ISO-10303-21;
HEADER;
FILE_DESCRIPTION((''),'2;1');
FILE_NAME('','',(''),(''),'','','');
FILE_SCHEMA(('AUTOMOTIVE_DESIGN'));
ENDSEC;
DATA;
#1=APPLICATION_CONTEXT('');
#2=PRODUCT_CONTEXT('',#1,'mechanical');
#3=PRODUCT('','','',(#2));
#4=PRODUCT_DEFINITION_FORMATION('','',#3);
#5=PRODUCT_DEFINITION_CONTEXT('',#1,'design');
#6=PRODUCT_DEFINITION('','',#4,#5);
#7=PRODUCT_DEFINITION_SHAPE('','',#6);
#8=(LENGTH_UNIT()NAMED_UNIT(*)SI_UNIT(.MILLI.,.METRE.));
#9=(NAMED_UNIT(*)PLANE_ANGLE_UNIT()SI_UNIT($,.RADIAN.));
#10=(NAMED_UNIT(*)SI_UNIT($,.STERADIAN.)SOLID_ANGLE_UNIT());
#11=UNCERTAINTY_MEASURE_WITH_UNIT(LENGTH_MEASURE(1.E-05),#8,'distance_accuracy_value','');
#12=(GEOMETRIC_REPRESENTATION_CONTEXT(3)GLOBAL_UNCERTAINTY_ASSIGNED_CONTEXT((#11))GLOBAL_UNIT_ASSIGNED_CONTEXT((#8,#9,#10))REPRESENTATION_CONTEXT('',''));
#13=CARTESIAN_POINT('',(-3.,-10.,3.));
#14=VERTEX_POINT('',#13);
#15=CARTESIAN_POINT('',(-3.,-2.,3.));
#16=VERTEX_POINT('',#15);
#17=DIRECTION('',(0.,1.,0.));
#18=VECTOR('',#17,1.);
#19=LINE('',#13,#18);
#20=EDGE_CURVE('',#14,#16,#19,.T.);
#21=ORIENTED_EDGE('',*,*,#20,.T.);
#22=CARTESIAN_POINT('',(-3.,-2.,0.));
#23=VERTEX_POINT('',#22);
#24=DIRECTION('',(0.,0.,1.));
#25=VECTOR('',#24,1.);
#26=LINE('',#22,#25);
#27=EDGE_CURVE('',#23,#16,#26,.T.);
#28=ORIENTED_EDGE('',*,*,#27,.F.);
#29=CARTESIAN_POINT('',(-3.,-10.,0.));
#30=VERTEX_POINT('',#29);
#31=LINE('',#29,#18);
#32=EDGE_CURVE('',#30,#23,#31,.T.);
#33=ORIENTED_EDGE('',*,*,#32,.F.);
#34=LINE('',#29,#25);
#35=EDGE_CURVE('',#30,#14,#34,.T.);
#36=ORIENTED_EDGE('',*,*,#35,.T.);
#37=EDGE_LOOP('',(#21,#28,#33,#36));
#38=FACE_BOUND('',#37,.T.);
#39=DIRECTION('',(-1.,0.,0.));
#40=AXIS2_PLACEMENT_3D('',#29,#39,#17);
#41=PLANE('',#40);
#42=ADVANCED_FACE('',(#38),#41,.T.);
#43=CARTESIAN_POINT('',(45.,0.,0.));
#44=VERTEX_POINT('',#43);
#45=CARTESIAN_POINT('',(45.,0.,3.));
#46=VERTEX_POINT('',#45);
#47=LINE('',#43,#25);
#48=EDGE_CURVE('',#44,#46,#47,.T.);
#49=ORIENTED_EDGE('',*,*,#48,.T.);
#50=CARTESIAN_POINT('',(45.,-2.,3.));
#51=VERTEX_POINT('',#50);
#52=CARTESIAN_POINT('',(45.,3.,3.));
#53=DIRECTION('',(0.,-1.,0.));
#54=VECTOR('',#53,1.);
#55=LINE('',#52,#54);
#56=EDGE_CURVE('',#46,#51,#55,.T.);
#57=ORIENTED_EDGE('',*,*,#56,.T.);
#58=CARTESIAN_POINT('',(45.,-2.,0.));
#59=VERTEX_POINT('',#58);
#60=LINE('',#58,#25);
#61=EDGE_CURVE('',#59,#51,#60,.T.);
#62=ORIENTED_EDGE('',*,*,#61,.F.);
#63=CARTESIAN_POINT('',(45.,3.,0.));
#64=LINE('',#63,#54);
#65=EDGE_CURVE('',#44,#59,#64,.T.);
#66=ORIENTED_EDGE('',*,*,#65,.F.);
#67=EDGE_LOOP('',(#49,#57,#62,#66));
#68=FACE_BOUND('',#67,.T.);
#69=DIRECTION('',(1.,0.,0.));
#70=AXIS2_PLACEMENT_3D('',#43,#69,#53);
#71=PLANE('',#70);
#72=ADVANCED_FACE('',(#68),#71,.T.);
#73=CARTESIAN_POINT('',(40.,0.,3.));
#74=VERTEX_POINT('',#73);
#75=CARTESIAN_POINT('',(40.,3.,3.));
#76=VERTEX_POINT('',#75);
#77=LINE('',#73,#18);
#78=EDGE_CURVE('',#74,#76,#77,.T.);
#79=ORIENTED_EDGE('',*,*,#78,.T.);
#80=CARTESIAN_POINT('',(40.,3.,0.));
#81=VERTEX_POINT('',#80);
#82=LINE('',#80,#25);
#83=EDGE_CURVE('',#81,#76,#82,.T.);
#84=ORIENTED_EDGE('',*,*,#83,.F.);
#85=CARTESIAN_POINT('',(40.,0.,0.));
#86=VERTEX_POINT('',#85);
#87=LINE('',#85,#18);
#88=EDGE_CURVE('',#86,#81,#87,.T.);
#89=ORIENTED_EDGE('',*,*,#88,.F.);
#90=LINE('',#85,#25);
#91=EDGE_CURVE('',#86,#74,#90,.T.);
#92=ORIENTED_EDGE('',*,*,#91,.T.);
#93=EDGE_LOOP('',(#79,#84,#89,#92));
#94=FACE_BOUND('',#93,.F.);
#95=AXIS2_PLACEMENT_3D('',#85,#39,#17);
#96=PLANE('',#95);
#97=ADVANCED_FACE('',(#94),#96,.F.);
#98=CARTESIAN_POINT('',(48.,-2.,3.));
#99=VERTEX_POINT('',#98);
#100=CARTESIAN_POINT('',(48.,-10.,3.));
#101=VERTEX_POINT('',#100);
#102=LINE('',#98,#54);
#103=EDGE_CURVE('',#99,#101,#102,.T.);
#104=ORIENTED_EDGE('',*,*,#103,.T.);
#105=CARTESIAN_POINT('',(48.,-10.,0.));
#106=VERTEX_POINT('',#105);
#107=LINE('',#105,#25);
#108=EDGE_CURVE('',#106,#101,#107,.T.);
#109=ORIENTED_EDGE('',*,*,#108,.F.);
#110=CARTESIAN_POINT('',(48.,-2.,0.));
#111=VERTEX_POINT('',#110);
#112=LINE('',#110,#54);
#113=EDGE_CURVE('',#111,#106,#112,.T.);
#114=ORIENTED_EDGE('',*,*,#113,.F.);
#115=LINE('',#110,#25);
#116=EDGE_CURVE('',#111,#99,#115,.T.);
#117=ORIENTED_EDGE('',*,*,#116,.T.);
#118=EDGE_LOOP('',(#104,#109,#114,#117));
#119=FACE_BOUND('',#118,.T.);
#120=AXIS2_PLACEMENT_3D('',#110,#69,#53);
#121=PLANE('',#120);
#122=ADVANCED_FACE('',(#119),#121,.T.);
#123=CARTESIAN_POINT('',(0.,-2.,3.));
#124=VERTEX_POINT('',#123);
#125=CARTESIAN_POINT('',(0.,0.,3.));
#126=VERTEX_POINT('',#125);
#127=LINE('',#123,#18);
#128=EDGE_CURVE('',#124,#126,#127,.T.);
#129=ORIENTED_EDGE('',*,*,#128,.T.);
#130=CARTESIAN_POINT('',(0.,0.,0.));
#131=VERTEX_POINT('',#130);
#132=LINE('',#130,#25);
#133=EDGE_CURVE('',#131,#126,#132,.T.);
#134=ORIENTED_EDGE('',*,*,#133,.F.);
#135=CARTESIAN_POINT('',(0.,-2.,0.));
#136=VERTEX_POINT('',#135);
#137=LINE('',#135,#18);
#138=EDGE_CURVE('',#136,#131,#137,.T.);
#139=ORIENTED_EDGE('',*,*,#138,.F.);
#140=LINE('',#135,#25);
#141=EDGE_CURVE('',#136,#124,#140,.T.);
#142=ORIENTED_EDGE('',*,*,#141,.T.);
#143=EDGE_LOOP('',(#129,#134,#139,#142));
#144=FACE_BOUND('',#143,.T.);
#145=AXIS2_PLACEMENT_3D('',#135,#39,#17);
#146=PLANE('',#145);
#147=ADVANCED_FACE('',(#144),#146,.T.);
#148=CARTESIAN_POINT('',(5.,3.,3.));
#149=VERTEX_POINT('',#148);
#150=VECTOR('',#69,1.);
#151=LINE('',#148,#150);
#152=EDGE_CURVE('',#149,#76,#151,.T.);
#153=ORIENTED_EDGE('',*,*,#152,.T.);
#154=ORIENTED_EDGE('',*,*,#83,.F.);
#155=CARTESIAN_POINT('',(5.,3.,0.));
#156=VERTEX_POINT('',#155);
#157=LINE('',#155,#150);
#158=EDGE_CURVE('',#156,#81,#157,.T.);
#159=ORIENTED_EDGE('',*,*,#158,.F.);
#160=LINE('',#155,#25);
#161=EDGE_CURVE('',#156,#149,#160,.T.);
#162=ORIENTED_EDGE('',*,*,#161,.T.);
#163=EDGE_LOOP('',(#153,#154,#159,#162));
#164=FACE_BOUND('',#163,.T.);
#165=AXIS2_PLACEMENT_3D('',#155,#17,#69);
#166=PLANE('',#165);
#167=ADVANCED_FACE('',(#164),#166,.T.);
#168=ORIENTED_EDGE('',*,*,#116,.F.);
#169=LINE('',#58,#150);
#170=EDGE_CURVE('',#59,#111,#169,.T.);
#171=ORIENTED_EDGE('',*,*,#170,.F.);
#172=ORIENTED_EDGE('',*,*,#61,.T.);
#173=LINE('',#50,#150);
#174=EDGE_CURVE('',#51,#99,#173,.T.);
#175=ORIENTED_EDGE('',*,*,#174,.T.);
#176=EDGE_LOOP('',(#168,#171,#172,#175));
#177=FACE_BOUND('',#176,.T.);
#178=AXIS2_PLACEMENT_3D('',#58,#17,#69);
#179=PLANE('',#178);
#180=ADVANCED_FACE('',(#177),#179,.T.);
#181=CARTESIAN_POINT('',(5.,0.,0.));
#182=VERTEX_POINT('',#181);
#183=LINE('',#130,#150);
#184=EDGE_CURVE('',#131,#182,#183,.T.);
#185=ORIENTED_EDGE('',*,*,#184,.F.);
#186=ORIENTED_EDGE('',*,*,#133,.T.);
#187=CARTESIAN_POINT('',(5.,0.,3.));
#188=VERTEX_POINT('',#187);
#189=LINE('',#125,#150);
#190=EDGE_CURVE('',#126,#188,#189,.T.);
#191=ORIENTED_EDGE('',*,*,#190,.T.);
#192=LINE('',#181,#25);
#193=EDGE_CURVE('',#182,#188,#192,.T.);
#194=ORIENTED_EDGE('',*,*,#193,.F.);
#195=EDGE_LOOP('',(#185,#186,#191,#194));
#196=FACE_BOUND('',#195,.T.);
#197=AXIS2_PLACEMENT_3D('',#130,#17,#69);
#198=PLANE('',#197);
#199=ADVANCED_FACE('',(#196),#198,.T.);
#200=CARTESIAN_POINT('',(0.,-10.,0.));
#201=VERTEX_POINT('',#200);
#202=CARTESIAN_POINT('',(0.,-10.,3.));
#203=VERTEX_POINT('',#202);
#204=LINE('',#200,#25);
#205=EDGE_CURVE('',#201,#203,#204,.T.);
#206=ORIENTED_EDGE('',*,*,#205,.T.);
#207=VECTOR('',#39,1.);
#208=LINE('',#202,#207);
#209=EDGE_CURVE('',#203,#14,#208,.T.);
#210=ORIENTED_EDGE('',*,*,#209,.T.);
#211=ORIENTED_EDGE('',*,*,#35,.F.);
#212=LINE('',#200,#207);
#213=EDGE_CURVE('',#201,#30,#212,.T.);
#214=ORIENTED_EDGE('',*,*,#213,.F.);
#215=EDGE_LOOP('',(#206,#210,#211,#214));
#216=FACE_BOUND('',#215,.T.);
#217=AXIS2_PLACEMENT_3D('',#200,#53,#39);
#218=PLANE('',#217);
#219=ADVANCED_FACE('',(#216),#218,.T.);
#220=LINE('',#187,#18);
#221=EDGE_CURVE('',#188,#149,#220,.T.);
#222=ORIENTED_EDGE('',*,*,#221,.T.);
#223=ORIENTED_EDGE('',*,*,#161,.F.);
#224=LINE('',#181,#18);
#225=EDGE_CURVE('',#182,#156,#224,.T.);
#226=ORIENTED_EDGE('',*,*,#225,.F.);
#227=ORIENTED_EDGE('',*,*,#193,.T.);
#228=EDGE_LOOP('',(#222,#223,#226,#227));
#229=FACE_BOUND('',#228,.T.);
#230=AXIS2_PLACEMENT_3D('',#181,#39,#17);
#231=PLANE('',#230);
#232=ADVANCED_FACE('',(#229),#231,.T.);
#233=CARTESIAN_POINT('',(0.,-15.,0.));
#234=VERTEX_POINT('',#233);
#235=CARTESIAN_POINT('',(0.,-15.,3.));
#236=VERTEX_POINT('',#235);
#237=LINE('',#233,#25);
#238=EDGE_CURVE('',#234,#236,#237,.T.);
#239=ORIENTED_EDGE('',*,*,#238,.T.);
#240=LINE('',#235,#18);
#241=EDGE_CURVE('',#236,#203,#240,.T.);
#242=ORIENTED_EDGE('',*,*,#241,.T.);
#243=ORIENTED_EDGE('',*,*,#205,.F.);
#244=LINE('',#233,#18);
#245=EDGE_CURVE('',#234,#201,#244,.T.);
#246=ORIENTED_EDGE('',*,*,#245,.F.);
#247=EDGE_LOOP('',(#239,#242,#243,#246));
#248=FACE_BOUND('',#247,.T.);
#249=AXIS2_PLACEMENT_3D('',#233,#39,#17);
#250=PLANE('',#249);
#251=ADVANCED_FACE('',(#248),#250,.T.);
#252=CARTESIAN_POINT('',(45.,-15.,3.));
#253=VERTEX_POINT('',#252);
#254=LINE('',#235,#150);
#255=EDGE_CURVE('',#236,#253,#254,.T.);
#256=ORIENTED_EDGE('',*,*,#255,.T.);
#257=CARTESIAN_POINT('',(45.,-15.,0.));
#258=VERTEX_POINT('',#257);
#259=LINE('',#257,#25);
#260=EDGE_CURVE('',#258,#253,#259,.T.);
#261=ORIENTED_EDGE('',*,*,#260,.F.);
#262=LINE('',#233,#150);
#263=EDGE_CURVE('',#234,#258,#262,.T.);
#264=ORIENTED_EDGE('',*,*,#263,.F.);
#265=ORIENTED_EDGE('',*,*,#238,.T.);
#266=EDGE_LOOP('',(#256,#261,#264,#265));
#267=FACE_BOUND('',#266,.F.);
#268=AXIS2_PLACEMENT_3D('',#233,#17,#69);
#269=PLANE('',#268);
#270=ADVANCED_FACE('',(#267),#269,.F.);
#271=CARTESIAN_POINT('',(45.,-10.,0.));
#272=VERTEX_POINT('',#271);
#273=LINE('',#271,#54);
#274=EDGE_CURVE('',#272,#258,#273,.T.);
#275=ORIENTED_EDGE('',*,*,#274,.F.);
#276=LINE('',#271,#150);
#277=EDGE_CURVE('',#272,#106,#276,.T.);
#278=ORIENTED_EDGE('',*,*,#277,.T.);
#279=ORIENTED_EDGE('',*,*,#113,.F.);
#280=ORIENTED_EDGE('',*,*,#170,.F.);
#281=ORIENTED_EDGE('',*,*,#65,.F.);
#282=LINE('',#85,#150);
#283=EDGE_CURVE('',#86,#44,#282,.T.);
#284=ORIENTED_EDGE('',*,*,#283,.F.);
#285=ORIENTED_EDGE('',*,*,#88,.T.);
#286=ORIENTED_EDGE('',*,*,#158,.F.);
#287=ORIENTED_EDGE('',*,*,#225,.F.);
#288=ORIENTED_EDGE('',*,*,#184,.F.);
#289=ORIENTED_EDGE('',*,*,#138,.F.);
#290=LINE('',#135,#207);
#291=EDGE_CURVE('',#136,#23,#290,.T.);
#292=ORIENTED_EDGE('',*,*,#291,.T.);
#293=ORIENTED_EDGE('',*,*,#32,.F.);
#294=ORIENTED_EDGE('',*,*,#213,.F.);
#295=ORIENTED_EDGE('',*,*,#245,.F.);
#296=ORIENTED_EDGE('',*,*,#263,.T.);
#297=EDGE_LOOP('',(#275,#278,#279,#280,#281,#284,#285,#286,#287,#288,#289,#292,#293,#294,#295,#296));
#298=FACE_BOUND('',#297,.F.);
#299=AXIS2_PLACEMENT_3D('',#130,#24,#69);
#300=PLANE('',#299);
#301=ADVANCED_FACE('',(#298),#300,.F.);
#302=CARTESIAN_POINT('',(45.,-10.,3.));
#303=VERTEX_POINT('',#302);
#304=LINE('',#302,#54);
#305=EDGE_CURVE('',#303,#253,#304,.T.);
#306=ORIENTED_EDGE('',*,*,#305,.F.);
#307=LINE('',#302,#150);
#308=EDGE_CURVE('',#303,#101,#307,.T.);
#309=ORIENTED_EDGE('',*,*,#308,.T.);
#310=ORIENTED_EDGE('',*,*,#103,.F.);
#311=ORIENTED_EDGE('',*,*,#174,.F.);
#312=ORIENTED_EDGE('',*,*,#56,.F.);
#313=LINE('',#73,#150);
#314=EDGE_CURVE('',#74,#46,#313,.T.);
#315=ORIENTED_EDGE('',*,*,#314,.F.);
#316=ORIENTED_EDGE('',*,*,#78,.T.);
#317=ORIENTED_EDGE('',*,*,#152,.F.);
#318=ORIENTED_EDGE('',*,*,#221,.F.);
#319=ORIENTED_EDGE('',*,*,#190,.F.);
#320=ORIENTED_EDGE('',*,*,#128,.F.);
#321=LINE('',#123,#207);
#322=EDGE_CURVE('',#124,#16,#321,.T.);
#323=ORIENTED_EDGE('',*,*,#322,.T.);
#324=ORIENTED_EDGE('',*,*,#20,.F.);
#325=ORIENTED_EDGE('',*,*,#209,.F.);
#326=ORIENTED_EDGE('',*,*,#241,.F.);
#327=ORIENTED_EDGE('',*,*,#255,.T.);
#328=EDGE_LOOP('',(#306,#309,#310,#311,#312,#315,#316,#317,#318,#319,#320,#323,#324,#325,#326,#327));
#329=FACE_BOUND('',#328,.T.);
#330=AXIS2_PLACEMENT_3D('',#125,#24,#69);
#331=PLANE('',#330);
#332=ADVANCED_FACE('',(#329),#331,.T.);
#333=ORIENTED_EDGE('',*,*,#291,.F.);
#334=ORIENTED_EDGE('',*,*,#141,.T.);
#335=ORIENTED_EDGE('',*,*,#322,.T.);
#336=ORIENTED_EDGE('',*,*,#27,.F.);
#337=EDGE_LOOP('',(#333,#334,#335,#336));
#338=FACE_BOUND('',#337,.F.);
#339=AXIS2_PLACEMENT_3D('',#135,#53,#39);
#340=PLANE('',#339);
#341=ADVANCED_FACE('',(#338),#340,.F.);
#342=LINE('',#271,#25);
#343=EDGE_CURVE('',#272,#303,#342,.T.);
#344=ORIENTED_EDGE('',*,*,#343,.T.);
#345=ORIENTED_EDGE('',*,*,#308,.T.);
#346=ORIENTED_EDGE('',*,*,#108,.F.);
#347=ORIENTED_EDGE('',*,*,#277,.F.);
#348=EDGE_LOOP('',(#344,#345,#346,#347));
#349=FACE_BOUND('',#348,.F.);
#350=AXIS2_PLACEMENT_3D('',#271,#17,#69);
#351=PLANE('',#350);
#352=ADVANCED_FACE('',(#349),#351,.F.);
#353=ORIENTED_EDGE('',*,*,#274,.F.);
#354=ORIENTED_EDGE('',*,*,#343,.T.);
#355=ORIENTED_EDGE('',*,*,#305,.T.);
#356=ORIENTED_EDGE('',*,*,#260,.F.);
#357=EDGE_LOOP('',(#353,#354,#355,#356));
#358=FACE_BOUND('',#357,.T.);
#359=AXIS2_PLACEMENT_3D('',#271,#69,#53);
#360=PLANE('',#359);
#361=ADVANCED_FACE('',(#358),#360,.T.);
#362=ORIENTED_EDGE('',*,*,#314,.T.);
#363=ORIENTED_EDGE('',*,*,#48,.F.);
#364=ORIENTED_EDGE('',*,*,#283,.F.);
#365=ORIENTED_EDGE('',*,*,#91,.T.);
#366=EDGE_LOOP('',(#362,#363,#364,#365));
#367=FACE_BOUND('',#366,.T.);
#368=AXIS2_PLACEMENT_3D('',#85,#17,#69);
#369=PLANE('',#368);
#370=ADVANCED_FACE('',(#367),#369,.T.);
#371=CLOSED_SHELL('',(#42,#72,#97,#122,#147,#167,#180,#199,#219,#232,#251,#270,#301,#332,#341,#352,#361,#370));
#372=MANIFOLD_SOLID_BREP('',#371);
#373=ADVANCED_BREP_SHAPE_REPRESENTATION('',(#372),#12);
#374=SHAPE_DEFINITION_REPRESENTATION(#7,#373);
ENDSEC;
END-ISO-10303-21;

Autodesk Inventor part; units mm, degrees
ref_plane "YZ Plane" through (0, 0, 0) normal (1, 0, 0) x (0, 1, 0)
ref_plane "XZ Plane" through (0, 0, 0) normal (0, 1, 0) x (-1, 0, 0)
ref_plane "XY Plane" through (0, 0, 0) normal (0, 0, 1) x (1, 0, 0)
sketch "Sketch1" plane through (0, 0, 0) normal (0, 0, 1) x (1, 0, 0)
  line L0 (5, 0) -> (5, 3) projected
  line L1 (5, 0) -> (40, 0) projected
  line L2 (40, 0) -> (40, 3) projected
  line L3 (5, 3) -> (40, 3) projected
  line L4 (0, 0) -> (5, 0) projected
  line L5 (5, 0) -> (5, 3) projected
  line L6 (0, 3) -> (5, 3) projected
  line L7 (0, 0) -> (0, 3) projected
  line L8 (0, -2) -> (0, 3) projected
  line L9 (0, 3) -> (-3, 3) projected
  line L10 (-3, -2) -> (-3, 3) projected
  line L11 (0, -2) -> (-3, -2) projected
  line L12 (0, -10) -> (-3, -10) projected
  line L13 (0, -10) -> (0, -2) projected
  line L14 (0, -2) -> (-3, -2) projected
  line L15 (-3, -10) -> (-3, -2) projected
  line L16 (0, -15) -> (0, -10) projected
  line L17 (0, -10) -> (-3, -10) projected
  line L18 (-3, -15) -> (-3, -10) projected
  line L19 (0, -15) -> (-3, -15) projected
  line L20 (45, -10) -> (45, -15) projected
  line L21 (45, -15) -> (48, -15) projected
  line L22 (48, -10) -> (48, -15) projected
  line L23 (45, -10) -> (48, -10) projected
  line L24 (45, -2) -> (45, -10) projected
  line L25 (45, -10) -> (48, -10) projected
  line L26 (48, -2) -> (48, -10) projected
  line L27 (45, -2) -> (48, -2) projected
  line L28 (45, 3) -> (45, -2) projected
  line L29 (45, -2) -> (48, -2) projected
  line L30 (48, 3) -> (48, -2) projected
  line L31 (45, 3) -> (48, 3) projected
  line L32 (40, 0) -> (45, 0) projected
  line L33 (45, 0) -> (45, 3) projected
  line L34 (40, 3) -> (45, 3) projected
  line L35 (40, 0) -> (40, 3) projected
  line L36 (0, -15) -> (45, -15)
extrude "Extrusion1" add sketch "Sketch1" along normal blind 3 contours L0 L3 L2 L1 | L1 L32 L28 L24 L20 L36 L16 L13 L8 L4 | L13 L12 L15 L11 | L27 L26 L23 L24
properties part number "SideFaceTopNM" material "Acrylic, Clear"
